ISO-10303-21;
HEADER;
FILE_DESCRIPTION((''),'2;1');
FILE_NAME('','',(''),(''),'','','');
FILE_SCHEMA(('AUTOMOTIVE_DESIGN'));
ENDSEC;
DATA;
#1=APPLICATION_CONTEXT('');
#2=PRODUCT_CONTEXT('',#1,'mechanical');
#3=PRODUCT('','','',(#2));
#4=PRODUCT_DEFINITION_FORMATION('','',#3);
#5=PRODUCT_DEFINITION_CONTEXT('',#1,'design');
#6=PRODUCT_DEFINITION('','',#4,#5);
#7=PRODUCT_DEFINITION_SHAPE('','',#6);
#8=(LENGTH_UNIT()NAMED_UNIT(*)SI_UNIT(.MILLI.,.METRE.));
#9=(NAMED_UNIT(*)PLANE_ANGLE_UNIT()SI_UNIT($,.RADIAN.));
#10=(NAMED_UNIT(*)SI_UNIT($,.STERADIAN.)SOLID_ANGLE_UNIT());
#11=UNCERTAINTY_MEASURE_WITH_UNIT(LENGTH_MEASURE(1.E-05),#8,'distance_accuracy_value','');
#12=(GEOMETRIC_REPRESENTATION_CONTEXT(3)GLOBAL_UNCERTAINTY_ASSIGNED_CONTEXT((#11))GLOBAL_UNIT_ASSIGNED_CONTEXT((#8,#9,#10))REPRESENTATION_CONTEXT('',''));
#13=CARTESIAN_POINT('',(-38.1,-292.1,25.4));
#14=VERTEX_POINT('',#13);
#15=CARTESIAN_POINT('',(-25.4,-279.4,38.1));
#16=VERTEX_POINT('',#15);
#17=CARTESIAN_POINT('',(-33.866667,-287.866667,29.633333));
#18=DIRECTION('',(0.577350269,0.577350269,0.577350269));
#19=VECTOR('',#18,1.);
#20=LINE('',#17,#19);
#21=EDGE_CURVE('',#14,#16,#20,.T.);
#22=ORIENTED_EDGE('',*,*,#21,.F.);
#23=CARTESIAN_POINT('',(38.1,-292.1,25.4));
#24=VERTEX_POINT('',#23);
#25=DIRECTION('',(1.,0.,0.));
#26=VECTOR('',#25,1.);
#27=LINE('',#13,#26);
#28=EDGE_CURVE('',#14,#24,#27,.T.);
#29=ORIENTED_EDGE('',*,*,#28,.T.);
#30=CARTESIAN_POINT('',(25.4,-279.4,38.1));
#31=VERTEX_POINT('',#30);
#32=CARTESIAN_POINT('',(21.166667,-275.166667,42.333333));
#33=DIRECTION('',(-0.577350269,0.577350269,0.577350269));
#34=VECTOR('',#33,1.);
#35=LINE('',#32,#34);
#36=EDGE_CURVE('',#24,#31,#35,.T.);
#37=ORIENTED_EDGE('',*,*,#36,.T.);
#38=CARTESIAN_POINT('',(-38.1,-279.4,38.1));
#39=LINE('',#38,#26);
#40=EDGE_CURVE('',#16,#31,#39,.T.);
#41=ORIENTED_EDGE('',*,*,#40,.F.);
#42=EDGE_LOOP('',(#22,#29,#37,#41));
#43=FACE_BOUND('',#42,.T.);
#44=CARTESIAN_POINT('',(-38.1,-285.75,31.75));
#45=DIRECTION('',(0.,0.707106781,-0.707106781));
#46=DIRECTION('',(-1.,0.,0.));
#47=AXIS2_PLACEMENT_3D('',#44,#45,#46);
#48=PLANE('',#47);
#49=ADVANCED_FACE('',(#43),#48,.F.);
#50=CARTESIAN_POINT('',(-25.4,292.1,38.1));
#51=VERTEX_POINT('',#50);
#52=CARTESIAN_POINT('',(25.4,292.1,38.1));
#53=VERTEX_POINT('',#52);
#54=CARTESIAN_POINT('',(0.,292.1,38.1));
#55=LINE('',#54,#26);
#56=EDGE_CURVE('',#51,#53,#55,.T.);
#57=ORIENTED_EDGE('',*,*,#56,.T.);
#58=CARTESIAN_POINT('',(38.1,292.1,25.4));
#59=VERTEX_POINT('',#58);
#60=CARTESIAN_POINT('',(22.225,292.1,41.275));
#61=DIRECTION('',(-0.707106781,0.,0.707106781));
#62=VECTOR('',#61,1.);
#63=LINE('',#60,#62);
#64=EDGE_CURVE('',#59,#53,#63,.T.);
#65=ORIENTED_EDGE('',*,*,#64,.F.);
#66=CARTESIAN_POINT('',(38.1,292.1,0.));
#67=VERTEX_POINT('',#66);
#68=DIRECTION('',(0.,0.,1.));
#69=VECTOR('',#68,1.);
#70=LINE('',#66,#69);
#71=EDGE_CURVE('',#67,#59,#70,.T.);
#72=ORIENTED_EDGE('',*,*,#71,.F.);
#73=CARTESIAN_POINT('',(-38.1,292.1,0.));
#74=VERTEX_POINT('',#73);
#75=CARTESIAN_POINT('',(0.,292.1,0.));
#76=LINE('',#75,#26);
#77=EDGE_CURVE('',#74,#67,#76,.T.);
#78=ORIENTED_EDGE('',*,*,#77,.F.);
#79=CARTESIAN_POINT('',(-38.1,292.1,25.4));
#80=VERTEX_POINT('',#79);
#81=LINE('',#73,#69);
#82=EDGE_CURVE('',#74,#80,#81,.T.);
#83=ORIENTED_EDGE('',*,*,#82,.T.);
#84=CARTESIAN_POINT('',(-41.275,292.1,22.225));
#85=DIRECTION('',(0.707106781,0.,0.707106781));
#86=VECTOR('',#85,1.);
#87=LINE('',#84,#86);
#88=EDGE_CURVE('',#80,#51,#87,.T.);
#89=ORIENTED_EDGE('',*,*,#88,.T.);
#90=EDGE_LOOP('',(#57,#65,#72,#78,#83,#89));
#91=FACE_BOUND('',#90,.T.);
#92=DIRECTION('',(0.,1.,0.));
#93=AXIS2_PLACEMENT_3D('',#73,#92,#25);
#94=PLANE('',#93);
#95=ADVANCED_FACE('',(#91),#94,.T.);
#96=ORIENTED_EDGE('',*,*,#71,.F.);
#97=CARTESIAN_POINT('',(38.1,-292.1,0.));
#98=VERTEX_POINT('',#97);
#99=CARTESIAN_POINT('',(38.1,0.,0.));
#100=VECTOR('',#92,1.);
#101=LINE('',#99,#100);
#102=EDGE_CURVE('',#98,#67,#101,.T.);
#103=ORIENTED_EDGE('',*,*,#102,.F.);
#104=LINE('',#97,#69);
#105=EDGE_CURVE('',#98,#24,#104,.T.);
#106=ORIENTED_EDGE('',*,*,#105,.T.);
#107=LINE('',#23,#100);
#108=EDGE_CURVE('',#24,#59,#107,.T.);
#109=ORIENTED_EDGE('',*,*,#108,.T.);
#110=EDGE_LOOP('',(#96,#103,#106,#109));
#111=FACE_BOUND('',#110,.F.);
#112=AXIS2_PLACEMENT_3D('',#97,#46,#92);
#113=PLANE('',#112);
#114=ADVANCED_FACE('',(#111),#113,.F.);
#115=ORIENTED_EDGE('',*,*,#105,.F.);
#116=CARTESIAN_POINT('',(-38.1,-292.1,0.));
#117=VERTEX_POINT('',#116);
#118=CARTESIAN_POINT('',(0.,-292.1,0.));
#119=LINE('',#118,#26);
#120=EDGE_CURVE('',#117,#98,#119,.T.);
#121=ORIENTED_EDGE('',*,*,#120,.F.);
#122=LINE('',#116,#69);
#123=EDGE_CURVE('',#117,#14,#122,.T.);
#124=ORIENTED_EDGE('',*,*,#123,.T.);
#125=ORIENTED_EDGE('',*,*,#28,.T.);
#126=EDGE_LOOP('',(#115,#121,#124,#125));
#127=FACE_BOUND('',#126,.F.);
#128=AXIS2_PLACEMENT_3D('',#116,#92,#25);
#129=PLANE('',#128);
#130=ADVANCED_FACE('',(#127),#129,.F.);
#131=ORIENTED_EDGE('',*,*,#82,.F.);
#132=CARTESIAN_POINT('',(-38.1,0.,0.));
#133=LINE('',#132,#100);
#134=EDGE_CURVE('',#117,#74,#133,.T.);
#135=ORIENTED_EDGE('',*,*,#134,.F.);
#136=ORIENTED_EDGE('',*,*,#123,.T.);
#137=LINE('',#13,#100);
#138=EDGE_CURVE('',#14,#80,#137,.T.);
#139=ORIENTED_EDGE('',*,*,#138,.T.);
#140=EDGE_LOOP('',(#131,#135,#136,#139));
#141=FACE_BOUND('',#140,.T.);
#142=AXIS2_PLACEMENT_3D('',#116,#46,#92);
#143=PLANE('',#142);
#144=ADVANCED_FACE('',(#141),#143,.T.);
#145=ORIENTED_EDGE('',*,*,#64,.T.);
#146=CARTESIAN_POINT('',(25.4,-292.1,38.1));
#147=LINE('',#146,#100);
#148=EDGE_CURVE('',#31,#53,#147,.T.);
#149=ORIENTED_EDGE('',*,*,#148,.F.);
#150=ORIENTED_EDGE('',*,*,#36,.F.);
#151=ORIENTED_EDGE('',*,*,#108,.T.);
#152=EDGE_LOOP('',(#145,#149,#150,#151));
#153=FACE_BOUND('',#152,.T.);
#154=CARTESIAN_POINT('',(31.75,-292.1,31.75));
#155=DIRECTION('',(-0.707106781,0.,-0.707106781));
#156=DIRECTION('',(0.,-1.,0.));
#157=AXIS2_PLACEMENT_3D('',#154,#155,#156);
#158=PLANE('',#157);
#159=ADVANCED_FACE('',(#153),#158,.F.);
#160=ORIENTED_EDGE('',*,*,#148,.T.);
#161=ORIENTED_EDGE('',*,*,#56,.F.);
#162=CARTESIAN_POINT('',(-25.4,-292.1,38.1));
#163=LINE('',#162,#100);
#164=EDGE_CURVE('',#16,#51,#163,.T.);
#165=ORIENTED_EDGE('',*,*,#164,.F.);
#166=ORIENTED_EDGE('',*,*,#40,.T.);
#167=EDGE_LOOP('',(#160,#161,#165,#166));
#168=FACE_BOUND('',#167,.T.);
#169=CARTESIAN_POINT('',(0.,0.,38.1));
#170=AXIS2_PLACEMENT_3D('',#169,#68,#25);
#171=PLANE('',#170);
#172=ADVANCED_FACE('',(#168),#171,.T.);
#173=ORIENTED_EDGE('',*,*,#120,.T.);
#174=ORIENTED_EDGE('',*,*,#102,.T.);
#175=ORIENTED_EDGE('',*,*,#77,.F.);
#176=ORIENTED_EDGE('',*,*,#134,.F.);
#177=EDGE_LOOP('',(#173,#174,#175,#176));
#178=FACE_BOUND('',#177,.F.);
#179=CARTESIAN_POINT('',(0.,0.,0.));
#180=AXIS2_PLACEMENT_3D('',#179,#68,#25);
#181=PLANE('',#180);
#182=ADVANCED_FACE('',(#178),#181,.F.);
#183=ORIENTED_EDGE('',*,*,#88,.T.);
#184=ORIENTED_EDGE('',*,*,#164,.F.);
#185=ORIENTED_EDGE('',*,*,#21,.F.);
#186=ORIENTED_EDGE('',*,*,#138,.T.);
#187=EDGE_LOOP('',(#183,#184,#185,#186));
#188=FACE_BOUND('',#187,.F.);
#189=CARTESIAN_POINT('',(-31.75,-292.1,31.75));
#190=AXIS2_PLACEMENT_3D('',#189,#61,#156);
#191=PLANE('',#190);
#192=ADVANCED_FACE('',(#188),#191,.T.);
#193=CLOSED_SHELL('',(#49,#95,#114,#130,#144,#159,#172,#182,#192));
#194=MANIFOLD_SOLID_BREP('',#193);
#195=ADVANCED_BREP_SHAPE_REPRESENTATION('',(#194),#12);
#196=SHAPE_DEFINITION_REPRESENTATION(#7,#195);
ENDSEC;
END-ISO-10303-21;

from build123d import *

# Parameters (mm, degrees)
F0_W     = 76.2
F0_H     = 584.2
F1_DEPTH = 38.1
F2_SIZE  = 12.7


with BuildPart() as f1:
    # F0 (on Top) → F1 (new body)
    with BuildSketch(Plane.XY):
        Rectangle(F0_W, F0_H)
    extrude(amount=F1_DEPTH)

    # F2
    f2_edges = [f1.edges().sort_by_distance(p)[0] for p in [
        (0, -292.1, 38.1),
        (38.1, 0, 38.1),
        (-38.1, 0, 38.1),
    ]]
    chamfer(f2_edges, length=F2_SIZE)


solid = f1.part
